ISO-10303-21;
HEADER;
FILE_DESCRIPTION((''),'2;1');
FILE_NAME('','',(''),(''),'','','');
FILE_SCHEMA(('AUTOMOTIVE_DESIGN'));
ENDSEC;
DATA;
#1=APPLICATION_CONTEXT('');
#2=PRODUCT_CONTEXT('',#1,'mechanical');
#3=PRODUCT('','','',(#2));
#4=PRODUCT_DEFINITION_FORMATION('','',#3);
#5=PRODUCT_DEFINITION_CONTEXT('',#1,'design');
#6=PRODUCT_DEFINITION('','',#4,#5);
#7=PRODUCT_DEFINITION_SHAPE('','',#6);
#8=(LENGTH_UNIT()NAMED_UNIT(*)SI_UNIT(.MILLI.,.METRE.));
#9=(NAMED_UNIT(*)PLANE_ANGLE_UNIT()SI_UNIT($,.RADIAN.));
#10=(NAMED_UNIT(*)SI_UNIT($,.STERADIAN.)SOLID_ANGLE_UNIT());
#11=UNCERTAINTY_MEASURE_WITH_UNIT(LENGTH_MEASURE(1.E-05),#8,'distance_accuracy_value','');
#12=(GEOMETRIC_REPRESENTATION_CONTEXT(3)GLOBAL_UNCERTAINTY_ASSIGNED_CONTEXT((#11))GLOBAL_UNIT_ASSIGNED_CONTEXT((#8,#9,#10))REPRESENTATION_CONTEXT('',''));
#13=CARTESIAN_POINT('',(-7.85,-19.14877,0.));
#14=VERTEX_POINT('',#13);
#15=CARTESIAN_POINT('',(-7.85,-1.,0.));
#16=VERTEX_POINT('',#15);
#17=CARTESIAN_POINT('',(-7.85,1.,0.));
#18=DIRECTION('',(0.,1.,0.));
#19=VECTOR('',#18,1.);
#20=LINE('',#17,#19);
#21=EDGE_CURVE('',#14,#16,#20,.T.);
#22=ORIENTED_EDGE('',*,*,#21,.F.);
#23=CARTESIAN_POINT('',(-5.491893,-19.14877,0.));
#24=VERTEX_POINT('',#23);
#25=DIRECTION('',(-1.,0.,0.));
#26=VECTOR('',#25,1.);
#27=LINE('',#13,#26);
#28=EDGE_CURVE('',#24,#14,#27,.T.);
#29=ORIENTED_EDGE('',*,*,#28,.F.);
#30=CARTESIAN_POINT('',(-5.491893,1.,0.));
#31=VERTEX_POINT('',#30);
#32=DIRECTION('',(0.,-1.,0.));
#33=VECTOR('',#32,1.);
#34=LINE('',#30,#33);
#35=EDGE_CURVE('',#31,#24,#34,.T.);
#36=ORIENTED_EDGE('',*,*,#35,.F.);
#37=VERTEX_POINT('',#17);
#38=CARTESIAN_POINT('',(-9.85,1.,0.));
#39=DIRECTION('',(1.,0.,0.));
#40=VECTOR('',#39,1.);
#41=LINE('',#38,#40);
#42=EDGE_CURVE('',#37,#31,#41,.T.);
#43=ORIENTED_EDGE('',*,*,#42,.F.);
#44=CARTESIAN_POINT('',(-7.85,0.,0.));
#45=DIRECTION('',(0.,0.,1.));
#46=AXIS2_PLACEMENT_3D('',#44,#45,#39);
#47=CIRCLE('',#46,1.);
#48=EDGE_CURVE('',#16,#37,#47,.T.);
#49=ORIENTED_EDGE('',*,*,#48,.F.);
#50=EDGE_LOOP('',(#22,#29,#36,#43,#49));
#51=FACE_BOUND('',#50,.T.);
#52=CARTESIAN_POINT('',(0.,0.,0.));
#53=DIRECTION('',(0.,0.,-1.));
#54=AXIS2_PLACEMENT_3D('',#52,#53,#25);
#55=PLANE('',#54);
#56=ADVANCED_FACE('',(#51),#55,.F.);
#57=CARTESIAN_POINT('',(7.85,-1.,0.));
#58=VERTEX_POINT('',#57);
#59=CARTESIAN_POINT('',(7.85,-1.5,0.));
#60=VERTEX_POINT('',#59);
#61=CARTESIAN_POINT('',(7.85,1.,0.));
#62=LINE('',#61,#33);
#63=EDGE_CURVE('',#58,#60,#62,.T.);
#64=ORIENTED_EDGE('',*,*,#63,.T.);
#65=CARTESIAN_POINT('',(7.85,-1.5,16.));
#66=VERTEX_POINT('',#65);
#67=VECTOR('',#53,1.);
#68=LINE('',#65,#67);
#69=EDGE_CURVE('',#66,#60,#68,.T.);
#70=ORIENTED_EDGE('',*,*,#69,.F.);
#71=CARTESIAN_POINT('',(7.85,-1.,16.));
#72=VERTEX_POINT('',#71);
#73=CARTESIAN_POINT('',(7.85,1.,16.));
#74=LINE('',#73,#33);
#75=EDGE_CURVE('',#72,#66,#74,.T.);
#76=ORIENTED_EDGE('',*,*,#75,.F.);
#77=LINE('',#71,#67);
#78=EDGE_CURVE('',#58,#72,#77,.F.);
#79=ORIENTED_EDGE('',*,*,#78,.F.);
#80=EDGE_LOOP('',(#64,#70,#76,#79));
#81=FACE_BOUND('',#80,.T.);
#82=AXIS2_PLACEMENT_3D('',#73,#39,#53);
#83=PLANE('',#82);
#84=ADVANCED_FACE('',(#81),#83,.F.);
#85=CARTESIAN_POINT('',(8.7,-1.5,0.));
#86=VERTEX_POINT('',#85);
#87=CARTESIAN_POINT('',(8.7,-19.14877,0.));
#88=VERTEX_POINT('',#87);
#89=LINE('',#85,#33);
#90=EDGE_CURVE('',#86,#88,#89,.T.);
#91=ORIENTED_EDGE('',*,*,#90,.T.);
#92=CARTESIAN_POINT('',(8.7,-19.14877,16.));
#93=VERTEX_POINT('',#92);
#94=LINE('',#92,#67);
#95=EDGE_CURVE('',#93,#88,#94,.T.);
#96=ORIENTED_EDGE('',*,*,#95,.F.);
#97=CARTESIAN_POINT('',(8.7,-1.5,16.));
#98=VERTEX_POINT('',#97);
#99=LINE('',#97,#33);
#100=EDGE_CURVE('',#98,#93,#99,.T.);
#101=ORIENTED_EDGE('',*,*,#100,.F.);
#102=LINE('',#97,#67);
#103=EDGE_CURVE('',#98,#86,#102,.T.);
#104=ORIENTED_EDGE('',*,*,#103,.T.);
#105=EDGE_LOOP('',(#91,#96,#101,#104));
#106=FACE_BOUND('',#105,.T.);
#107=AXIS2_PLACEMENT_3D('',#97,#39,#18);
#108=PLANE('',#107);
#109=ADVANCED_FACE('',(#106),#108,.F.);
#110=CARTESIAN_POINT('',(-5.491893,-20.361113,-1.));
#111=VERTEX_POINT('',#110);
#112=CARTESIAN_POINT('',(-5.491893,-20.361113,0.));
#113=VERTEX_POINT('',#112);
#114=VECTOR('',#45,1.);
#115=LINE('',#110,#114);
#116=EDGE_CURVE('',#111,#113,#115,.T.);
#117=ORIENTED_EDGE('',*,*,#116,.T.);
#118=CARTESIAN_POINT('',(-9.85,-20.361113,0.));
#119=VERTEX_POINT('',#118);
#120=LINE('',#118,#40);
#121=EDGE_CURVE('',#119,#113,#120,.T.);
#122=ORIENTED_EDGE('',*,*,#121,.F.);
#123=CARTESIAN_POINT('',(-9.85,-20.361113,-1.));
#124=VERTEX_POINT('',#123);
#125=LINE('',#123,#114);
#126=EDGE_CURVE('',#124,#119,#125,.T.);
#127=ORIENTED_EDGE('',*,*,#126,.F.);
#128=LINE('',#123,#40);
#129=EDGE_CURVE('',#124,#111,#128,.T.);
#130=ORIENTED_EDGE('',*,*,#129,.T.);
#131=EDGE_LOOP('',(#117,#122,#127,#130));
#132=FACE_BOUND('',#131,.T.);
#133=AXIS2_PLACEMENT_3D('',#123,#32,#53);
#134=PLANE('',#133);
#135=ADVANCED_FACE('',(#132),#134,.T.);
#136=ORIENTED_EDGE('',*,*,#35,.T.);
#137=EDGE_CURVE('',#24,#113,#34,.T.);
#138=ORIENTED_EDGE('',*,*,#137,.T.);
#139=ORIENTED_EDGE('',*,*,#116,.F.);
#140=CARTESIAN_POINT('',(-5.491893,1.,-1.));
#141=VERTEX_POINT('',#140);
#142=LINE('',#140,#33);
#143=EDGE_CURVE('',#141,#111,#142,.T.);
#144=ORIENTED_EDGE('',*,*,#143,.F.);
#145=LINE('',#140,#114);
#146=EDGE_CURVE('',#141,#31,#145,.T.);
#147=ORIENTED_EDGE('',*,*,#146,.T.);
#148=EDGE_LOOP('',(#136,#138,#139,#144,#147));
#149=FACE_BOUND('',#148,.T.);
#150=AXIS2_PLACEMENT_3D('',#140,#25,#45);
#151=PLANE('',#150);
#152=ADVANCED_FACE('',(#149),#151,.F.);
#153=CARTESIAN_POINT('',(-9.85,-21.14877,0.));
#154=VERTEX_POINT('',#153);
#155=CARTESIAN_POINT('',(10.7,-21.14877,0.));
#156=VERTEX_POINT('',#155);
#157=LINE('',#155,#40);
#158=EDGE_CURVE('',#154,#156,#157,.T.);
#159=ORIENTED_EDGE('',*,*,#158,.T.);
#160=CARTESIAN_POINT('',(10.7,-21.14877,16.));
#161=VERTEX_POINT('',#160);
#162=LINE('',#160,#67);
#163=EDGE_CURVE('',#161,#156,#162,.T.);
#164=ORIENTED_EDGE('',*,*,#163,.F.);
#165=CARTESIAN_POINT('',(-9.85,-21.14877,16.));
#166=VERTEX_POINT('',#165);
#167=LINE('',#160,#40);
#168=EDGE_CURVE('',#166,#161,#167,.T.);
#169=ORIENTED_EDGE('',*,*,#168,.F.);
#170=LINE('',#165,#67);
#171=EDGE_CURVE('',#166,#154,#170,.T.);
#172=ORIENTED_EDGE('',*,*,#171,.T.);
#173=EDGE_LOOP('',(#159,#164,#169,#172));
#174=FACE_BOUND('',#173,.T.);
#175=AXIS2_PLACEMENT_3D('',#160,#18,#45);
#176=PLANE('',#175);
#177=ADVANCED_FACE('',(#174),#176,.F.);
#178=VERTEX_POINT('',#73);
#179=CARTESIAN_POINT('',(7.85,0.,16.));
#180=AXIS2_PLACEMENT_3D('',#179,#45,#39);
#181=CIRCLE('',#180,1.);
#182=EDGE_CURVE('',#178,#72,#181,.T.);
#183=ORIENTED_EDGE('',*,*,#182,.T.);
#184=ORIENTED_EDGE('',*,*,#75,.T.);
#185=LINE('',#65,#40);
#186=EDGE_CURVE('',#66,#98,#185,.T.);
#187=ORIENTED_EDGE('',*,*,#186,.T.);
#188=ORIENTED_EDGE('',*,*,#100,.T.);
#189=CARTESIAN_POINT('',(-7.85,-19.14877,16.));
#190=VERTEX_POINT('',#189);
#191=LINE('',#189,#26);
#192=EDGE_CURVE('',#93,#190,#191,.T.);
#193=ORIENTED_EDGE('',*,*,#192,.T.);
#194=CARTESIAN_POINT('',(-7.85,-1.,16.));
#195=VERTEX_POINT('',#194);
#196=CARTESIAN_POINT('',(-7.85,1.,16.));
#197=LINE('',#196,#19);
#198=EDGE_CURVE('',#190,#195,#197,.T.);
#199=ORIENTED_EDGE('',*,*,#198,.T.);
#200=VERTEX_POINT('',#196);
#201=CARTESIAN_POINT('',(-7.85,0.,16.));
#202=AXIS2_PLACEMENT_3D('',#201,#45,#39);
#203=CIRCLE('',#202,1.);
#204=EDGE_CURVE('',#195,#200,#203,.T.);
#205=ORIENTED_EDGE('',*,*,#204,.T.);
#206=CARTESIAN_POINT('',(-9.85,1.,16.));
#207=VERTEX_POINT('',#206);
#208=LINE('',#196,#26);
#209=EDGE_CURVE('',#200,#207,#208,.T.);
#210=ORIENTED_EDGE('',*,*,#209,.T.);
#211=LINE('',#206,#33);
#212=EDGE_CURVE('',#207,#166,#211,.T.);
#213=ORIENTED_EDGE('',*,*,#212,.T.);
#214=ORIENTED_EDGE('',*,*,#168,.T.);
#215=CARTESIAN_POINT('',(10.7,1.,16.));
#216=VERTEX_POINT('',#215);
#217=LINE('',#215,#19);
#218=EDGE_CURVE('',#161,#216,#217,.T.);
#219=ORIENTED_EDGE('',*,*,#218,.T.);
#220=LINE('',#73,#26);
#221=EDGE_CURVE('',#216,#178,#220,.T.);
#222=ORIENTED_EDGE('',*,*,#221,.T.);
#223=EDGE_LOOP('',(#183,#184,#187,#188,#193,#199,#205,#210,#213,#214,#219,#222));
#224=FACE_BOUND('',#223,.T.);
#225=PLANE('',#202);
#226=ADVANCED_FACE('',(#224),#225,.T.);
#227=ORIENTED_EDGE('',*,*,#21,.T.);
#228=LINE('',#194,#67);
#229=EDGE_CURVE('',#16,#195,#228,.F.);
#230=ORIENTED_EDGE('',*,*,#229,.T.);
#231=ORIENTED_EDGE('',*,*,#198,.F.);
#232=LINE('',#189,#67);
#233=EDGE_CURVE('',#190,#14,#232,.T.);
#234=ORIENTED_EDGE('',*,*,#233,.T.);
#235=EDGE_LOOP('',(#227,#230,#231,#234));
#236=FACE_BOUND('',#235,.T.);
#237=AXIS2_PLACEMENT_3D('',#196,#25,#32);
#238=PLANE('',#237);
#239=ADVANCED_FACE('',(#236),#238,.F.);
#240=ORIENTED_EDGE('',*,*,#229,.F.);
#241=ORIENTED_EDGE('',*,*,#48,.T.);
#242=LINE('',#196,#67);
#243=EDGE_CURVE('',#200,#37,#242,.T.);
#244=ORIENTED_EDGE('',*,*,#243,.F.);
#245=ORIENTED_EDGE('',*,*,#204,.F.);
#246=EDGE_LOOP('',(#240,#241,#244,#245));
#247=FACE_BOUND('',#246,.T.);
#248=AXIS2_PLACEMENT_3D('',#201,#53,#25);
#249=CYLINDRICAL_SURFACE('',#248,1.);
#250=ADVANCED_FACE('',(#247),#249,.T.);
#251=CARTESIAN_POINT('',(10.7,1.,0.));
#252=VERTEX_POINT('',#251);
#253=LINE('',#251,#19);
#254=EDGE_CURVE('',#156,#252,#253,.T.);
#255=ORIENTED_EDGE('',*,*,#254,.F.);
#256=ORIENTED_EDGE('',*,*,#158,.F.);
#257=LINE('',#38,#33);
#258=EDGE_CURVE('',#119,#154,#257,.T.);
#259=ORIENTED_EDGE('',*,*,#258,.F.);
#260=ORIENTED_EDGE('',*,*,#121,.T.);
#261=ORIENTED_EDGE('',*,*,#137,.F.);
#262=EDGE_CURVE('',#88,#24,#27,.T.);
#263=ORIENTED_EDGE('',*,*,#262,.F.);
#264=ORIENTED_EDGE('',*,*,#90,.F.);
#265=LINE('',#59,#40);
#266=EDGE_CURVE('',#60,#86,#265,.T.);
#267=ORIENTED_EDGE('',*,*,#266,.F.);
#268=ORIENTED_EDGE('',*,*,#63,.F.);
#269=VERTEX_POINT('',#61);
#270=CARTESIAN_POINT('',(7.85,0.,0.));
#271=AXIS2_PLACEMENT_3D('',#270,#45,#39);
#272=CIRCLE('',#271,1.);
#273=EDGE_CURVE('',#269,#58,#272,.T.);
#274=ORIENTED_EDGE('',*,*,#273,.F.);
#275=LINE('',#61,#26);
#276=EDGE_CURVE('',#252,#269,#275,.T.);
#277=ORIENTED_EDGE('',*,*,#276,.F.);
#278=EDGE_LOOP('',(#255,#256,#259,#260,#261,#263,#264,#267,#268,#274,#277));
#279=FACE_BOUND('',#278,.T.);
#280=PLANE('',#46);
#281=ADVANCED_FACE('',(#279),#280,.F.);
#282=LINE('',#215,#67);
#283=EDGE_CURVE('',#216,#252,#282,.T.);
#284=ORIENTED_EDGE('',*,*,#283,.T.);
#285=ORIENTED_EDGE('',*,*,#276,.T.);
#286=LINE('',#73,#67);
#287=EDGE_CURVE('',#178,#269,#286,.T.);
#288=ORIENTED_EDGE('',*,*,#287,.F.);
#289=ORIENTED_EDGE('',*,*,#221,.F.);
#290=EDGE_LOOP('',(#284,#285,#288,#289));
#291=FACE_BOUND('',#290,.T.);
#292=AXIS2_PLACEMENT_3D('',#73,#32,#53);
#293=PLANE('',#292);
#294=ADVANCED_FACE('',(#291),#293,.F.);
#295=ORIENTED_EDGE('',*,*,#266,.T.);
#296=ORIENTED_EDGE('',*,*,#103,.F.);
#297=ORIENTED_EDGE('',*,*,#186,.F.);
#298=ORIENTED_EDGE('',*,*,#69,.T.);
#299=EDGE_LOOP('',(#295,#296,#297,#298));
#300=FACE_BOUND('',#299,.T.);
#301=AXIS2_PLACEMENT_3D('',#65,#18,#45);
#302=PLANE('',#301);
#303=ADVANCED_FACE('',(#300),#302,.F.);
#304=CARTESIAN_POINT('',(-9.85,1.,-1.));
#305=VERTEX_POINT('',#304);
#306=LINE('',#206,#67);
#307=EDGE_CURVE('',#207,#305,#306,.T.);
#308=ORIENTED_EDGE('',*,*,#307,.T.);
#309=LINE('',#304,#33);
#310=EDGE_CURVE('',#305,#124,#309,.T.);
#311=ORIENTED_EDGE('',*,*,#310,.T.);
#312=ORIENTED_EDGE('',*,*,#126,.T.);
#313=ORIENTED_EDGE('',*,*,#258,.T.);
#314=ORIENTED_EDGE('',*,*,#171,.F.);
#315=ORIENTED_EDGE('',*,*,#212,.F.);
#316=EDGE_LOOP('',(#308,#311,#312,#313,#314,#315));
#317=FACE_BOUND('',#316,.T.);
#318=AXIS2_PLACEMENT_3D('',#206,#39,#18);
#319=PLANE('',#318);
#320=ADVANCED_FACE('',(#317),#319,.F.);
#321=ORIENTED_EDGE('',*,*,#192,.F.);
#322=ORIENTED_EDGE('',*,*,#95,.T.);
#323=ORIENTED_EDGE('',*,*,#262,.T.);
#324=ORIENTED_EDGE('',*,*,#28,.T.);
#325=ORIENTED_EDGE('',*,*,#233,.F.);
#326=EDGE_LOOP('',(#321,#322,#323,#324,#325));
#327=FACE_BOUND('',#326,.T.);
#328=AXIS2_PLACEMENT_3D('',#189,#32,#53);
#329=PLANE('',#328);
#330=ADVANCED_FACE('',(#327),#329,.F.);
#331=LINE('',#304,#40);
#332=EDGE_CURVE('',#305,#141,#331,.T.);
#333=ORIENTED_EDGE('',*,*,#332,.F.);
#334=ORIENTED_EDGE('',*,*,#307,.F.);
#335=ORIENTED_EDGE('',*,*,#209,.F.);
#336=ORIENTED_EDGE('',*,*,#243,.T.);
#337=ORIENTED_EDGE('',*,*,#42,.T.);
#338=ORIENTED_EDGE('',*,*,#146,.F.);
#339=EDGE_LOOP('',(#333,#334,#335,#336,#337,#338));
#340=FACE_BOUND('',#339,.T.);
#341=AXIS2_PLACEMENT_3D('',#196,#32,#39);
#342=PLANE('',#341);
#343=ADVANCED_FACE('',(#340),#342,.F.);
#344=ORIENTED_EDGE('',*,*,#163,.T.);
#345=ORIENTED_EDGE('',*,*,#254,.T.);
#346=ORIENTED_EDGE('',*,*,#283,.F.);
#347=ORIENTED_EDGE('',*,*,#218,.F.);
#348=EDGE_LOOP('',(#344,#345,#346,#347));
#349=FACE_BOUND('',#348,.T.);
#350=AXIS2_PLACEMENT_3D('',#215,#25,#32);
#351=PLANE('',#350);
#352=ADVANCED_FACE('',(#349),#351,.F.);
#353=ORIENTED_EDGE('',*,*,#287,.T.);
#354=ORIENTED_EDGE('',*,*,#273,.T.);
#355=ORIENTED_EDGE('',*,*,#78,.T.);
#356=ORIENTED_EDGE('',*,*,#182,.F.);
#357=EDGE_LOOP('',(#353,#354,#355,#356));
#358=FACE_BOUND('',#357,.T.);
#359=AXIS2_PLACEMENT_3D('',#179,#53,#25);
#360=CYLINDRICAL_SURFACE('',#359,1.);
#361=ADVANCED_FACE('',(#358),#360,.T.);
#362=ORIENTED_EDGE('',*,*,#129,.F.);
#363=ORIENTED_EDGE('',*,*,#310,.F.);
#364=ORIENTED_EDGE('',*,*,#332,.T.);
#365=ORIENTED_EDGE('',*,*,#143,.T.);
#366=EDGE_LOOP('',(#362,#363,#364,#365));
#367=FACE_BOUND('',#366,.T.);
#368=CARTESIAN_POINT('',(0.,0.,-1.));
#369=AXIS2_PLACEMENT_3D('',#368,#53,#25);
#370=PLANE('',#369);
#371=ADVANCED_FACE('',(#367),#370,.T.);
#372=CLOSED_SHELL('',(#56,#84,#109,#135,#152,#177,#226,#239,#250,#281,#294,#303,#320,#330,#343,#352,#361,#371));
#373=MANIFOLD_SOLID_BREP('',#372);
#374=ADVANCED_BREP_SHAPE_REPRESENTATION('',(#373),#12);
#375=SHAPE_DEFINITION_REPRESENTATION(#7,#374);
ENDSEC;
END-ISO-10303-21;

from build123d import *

# Parameters (mm, degrees)
SKETCH1_R             = 1
BOSS_EXTRUDE1_DEPTH   = 16
BOSS_EXTRUDE1_2_DEPTH = 16
BOSS_EXTRUDE2_DEPTH   = 16
SKETCH3_W             = 4.358106799
SKETCH3_H             = 21.361113411
BOSS_EXTRUDE4_DEPTH   = 1


with BuildPart() as part:
    # Sketch1 → Boss-Extrude1 (new body)
    with BuildSketch(Plane.XY):
        with Locations((-7.85, 0)):
            Circle(SKETCH1_R)
    extrude(amount=BOSS_EXTRUDE1_DEPTH)



with BuildPart() as body_2:
    # Sketch1 → Boss-Extrude1 2 (new body)
    with BuildSketch(Plane.XY):
        with Locations((7.85, 0)):
            Circle(SKETCH1_R)
    extrude(amount=BOSS_EXTRUDE1_2_DEPTH)


with BuildPart() as part_1:
    add(part.part)

    add(body_2.part)  # Boss-Extrude2 merges body 2
    # Sketch2 → Boss-Extrude2 (add, through all)
    with BuildSketch(Plane.XY):
        Polygon((7.85, 1), (10.7, 1), (10.7, -21.148770038), (-9.85, -21.148770038), (-9.85, 1), (-7.85, 1), (-7.85, -19.148770038), (8.7, -19.148770038), (8.7, -1.5), (7.85, -1.5), align=None)
    extrude(amount=BOSS_EXTRUDE2_DEPTH)

    # Sketch3 → Boss-Extrude4 (add)
    with BuildSketch(Plane.XY):
        with Locations((-7.670946601, -9.680556706)):
            Rectangle(SKETCH3_W, SKETCH3_H)
    extrude(amount=-BOSS_EXTRUDE4_DEPTH)


solid = part_1.part
